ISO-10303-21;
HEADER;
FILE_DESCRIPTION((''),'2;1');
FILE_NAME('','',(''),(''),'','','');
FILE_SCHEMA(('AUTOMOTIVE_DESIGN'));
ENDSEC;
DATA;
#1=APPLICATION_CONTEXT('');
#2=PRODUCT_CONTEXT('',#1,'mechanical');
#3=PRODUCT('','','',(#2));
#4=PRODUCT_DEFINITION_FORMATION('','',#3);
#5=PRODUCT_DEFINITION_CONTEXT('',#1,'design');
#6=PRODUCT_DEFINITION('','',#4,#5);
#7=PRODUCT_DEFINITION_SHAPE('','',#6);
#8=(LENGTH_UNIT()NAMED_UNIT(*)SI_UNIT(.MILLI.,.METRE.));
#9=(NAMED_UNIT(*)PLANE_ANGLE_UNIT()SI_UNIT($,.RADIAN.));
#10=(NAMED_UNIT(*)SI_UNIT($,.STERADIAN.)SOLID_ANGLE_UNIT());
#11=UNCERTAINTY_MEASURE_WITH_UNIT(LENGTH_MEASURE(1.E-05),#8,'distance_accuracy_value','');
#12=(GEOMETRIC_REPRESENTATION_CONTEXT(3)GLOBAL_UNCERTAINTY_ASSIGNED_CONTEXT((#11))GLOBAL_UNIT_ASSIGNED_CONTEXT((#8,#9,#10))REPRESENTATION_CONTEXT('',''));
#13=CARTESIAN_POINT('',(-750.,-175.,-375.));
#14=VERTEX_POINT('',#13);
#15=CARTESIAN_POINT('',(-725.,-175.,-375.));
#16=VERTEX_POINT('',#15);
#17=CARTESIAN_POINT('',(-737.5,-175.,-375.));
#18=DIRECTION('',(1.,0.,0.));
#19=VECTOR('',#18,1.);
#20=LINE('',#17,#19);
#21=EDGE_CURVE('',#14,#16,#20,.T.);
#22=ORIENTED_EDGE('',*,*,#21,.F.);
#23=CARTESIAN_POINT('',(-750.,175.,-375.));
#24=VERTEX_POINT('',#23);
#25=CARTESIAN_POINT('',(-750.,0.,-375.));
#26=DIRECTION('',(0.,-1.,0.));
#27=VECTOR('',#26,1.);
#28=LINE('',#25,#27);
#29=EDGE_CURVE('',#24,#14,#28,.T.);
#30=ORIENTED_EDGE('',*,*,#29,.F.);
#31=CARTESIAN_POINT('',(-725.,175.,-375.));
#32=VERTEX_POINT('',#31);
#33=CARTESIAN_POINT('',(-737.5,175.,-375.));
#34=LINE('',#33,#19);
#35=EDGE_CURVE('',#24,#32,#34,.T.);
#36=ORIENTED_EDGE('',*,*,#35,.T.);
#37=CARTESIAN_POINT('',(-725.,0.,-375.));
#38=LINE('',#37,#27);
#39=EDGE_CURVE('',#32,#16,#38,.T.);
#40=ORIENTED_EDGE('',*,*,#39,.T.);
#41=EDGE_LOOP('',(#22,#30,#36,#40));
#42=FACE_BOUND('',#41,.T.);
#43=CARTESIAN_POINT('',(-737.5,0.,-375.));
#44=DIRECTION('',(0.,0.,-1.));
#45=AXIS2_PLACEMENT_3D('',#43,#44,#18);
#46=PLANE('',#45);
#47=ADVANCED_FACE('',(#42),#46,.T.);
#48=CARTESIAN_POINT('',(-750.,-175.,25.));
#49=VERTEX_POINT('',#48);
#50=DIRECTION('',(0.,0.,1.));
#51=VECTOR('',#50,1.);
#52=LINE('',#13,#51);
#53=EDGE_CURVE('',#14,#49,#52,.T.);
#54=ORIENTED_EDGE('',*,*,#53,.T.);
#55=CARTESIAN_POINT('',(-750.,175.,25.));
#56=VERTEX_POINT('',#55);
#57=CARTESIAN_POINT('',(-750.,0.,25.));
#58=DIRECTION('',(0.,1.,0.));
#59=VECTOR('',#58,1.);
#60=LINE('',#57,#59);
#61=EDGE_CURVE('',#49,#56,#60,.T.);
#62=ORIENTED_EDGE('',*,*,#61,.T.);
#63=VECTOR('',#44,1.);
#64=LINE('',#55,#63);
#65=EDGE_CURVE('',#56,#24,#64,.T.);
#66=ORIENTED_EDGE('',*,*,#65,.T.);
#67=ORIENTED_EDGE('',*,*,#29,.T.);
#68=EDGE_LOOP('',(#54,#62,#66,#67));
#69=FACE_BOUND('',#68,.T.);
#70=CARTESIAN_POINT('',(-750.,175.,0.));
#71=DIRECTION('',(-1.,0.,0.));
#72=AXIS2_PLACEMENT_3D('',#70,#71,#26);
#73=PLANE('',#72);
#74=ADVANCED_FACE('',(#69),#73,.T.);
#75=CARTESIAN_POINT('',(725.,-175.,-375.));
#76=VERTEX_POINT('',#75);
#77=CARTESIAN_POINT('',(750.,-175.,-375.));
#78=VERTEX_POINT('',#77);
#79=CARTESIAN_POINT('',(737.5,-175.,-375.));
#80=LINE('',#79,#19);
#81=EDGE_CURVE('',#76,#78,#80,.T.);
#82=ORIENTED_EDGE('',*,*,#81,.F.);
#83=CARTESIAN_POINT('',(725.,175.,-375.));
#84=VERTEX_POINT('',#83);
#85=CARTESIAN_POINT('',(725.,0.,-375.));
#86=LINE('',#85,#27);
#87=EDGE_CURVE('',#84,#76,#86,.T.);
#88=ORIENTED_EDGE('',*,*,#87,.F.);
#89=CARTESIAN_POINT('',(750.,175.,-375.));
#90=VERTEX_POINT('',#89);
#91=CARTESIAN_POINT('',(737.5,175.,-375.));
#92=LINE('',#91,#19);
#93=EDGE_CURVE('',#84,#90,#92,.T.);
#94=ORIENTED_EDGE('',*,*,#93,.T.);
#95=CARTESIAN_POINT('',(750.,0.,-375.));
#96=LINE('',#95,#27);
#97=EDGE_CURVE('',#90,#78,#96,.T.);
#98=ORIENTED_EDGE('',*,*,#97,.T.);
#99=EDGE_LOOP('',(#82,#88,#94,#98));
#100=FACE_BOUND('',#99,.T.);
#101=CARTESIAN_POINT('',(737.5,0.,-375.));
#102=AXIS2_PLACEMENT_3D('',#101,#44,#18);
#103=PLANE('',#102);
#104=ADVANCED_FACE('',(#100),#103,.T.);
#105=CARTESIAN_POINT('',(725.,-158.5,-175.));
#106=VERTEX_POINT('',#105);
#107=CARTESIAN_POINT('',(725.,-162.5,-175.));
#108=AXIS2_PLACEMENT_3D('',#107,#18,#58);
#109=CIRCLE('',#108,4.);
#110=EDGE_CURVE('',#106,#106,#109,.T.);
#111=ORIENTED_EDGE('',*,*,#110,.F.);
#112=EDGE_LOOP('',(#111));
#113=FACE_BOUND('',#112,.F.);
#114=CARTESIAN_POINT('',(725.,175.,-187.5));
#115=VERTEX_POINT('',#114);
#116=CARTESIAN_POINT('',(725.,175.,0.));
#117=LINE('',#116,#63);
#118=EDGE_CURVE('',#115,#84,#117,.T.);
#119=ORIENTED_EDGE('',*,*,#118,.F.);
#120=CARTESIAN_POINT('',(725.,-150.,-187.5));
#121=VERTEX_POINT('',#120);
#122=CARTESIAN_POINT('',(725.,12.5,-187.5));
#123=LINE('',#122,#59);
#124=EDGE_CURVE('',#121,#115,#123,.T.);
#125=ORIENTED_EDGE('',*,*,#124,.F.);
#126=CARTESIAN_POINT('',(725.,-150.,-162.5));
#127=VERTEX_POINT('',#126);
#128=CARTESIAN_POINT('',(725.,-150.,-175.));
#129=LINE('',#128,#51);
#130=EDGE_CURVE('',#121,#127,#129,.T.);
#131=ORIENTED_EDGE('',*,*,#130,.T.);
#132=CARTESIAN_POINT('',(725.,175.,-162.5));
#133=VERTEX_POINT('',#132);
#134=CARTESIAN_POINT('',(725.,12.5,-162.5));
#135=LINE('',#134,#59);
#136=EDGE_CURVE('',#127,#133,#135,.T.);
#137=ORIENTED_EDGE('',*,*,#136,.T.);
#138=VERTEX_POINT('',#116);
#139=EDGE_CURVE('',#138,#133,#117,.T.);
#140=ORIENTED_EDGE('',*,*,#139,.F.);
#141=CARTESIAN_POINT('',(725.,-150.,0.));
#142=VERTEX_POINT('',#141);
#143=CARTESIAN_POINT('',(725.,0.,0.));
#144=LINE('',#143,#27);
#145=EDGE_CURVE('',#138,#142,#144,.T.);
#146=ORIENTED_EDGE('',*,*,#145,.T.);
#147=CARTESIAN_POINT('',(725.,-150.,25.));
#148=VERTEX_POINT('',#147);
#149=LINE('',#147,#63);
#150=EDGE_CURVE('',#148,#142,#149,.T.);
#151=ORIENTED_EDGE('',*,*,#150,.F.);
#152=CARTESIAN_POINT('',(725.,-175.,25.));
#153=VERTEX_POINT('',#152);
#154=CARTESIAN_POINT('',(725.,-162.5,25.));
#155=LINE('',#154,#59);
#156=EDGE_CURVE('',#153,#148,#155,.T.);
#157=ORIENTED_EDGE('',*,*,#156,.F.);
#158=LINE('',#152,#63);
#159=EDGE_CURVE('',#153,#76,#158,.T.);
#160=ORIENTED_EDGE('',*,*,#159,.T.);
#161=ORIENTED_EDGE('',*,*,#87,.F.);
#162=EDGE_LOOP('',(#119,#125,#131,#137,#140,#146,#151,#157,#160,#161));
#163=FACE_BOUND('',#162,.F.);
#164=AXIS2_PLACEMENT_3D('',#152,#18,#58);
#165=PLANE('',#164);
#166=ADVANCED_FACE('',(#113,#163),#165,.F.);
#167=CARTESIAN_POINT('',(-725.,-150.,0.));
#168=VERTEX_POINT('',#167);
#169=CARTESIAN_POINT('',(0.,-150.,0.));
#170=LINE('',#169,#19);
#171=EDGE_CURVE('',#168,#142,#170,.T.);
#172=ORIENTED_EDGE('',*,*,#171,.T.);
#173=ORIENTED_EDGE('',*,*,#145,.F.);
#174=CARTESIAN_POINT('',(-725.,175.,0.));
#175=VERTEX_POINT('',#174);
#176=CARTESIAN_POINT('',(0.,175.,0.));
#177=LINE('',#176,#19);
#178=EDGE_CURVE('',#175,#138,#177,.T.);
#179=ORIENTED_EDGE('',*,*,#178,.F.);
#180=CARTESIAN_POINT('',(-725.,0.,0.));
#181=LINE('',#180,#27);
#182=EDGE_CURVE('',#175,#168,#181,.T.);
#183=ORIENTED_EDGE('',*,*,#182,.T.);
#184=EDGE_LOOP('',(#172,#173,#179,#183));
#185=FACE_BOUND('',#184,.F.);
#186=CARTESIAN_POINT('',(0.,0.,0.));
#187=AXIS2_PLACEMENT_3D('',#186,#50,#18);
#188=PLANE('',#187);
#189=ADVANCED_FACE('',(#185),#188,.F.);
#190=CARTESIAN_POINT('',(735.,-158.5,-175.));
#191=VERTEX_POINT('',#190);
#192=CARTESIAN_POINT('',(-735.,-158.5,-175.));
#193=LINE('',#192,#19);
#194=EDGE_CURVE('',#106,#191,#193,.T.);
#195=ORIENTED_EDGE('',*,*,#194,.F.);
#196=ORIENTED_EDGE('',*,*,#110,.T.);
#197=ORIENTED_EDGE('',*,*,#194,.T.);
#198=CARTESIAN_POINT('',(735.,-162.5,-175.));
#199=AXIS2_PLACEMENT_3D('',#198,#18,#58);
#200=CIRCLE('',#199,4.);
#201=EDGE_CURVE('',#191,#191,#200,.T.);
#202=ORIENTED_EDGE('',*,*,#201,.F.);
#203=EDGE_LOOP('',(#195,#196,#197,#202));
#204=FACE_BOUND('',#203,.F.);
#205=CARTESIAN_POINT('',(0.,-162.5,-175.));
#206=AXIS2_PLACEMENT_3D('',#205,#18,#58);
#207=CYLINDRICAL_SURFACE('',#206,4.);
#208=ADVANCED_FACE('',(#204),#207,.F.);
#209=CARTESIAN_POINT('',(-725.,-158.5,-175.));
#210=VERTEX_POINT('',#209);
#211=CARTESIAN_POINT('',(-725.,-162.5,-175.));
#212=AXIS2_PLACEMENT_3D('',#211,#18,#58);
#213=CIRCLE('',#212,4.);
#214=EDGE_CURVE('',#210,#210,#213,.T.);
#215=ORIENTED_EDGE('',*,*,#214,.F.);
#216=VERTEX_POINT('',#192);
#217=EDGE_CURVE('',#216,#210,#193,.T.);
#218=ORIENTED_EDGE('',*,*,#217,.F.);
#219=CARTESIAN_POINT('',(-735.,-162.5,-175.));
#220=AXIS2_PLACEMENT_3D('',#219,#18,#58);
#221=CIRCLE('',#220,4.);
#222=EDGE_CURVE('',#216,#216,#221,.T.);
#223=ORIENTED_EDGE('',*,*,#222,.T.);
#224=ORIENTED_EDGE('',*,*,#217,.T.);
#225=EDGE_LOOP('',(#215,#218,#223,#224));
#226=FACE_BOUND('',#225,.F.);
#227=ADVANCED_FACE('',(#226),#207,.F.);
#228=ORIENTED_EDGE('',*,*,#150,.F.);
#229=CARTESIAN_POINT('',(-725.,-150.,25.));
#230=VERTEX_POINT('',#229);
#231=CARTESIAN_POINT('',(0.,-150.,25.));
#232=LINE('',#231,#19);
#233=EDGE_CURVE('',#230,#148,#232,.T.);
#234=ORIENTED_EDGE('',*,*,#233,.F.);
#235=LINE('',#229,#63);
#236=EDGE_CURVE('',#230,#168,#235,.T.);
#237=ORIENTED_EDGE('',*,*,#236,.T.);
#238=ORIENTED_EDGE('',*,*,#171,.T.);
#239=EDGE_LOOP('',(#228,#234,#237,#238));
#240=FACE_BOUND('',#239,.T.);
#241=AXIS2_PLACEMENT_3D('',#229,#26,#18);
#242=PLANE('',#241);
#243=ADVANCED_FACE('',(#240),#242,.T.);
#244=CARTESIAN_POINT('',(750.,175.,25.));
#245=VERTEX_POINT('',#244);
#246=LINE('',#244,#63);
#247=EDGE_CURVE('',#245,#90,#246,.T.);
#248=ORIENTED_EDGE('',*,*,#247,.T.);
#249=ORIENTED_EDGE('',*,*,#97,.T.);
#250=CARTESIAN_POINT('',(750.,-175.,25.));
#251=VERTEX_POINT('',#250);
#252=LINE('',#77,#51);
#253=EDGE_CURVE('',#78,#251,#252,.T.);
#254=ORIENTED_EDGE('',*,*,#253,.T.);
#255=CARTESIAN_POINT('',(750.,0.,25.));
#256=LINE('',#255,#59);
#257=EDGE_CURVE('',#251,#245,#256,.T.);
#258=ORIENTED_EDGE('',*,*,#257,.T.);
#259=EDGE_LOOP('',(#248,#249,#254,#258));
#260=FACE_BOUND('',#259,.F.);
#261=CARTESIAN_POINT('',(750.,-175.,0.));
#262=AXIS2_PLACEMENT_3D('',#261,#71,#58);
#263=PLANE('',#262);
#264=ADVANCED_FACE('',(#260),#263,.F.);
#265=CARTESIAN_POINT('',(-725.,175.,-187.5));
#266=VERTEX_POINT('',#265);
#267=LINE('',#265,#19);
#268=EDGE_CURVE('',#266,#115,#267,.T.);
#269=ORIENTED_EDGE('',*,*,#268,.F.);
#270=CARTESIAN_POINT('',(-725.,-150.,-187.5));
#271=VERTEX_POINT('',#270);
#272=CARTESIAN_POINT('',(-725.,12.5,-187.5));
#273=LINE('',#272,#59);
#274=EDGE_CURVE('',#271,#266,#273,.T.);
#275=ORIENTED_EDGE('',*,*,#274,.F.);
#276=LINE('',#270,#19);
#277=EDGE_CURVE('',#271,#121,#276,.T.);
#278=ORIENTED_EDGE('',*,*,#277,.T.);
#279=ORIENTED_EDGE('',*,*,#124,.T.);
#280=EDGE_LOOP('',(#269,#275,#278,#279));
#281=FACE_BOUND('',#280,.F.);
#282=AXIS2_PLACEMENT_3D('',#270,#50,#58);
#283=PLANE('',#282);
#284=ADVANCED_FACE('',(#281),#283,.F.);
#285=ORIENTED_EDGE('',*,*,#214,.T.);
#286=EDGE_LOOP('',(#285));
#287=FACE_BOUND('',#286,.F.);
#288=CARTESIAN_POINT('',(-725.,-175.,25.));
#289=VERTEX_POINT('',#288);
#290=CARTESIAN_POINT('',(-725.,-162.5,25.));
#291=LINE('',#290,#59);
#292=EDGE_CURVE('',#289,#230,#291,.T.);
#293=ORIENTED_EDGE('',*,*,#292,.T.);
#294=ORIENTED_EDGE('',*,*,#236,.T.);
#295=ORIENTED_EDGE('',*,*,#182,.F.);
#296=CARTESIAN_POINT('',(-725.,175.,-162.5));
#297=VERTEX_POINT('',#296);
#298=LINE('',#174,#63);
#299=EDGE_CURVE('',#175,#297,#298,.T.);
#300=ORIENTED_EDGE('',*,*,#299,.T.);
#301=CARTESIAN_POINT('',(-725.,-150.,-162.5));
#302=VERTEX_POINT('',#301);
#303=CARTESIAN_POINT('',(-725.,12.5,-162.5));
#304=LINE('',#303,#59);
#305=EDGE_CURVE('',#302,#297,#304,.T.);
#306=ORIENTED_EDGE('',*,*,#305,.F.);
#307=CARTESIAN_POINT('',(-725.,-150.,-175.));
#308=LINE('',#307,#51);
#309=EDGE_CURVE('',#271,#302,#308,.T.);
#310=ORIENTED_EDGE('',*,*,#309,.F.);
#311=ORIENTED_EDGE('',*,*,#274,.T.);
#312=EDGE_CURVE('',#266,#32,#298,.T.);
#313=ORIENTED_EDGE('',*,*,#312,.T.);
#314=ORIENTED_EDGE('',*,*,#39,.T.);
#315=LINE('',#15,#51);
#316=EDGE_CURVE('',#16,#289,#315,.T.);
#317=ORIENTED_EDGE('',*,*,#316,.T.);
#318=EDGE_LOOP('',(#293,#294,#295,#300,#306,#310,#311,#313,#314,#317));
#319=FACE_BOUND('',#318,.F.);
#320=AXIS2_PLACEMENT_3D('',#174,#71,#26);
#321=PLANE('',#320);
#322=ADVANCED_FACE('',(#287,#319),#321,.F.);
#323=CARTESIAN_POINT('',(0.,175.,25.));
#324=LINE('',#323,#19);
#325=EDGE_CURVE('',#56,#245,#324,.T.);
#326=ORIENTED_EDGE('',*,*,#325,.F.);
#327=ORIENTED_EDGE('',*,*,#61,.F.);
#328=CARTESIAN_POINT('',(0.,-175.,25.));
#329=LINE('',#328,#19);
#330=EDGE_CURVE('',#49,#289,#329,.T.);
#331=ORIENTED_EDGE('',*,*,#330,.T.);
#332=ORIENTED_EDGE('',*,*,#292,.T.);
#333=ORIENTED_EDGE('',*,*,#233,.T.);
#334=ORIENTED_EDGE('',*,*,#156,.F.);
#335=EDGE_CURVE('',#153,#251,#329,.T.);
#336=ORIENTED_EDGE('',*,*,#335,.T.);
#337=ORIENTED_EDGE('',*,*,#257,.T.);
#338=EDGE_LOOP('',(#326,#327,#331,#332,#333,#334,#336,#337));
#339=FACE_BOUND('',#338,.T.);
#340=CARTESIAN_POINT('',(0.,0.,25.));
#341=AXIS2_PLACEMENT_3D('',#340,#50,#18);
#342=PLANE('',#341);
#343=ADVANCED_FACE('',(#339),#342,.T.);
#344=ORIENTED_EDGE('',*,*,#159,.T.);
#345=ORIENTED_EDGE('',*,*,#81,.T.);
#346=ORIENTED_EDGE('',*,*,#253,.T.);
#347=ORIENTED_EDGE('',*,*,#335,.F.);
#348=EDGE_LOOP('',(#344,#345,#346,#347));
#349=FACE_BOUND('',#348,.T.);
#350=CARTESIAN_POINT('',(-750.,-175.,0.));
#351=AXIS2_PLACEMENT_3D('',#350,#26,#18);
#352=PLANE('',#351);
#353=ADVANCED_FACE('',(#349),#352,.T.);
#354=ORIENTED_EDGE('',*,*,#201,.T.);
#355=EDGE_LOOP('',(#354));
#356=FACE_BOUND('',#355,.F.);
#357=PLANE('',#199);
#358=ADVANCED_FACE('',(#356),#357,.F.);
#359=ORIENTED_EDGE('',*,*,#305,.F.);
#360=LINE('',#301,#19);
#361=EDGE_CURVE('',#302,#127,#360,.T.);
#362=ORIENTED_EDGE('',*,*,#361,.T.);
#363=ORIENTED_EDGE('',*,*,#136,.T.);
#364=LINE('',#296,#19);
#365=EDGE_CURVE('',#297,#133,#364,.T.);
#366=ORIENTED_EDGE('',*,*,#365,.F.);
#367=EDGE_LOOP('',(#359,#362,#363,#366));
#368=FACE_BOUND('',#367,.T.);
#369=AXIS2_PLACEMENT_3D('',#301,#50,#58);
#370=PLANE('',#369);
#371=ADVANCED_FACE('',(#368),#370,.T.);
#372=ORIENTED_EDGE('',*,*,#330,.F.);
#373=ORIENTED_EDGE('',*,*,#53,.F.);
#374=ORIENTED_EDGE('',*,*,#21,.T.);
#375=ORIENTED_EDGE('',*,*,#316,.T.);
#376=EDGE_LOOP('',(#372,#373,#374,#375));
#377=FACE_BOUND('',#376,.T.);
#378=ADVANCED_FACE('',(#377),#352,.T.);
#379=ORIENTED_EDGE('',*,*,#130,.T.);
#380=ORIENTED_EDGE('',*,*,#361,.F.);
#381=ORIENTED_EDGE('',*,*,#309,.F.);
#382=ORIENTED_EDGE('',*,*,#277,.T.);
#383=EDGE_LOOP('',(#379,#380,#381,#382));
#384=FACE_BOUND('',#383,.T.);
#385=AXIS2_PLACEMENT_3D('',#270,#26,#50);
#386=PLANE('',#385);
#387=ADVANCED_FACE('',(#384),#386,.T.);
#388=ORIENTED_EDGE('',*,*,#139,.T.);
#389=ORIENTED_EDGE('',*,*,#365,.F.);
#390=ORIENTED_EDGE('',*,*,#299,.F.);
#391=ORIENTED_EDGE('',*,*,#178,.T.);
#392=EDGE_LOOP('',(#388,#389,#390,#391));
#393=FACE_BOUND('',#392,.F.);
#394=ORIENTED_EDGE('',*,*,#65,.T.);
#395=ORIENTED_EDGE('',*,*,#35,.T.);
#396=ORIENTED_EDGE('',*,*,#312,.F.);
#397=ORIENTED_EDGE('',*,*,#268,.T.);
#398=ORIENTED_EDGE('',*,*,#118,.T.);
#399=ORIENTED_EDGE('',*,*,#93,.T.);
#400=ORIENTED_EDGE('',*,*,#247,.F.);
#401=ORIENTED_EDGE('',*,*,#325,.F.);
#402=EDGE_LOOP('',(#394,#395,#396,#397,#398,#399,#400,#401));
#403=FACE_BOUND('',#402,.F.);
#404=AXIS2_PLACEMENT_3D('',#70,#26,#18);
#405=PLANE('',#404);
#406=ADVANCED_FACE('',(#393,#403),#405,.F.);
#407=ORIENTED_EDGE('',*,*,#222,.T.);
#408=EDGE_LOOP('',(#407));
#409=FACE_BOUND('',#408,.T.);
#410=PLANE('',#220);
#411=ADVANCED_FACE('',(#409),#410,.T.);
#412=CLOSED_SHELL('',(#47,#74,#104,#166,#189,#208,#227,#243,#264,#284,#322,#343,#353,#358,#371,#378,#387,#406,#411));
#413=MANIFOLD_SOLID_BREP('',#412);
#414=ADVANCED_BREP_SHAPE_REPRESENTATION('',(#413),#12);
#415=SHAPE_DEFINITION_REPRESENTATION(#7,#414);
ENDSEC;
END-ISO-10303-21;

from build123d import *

# Parameters (mm, degrees)
F0_W     = 1500
F0_H     = 350
F1_DEPTH = 25
F2_W     = 25
F2_H     = 350
F3_DEPTH = 375
F4_W     = 325
F4_H     = 25
F5_DEPTH = 1450
F6_R     = 4
F7_DEPTH = 735
F8_W     = 1450
F8_H     = 25
F9_DEPTH = 25


with BuildPart() as f1:
    # F0 (on Top) → F1 (new body)
    with BuildSketch(Plane.XY):
        Rectangle(F0_W, F0_H)
    extrude(amount=F1_DEPTH)

    # F2 (on face) → F3 (join)
    with BuildSketch(Plane(origin=(0, 0, 0), x_dir=(1, 0, 0), z_dir=(0, 0, -1))):
        with Locations((-737.5, 0)):
            Rectangle(F2_W, F2_H)
        with Locations((737.5, 0)):
            Rectangle(F2_W, F2_H)
    extrude(amount=F3_DEPTH)

    # F4 (on face) → F5 (join, through all)
    with BuildSketch(Plane.YZ.offset(-725)):
        with Locations((12.5, -175)):
            Rectangle(F4_W, F4_H)
    extrude(amount=F5_DEPTH)

    # F6 (on Right) → F7 (cut, symmetric)
    with BuildSketch(Plane.YZ):
        with Locations((-162.5, -175)):
            Circle(F6_R)
    extrude(amount=F7_DEPTH, both=True, mode=Mode.SUBTRACT)

    # F8 (on face) → F9 (cut)
    with BuildSketch(Plane.XY.offset(25)):
        with Locations((0, -162.5)):
            Rectangle(F8_W, F8_H)
    extrude(amount=-F9_DEPTH, mode=Mode.SUBTRACT)


solid = f1.part
